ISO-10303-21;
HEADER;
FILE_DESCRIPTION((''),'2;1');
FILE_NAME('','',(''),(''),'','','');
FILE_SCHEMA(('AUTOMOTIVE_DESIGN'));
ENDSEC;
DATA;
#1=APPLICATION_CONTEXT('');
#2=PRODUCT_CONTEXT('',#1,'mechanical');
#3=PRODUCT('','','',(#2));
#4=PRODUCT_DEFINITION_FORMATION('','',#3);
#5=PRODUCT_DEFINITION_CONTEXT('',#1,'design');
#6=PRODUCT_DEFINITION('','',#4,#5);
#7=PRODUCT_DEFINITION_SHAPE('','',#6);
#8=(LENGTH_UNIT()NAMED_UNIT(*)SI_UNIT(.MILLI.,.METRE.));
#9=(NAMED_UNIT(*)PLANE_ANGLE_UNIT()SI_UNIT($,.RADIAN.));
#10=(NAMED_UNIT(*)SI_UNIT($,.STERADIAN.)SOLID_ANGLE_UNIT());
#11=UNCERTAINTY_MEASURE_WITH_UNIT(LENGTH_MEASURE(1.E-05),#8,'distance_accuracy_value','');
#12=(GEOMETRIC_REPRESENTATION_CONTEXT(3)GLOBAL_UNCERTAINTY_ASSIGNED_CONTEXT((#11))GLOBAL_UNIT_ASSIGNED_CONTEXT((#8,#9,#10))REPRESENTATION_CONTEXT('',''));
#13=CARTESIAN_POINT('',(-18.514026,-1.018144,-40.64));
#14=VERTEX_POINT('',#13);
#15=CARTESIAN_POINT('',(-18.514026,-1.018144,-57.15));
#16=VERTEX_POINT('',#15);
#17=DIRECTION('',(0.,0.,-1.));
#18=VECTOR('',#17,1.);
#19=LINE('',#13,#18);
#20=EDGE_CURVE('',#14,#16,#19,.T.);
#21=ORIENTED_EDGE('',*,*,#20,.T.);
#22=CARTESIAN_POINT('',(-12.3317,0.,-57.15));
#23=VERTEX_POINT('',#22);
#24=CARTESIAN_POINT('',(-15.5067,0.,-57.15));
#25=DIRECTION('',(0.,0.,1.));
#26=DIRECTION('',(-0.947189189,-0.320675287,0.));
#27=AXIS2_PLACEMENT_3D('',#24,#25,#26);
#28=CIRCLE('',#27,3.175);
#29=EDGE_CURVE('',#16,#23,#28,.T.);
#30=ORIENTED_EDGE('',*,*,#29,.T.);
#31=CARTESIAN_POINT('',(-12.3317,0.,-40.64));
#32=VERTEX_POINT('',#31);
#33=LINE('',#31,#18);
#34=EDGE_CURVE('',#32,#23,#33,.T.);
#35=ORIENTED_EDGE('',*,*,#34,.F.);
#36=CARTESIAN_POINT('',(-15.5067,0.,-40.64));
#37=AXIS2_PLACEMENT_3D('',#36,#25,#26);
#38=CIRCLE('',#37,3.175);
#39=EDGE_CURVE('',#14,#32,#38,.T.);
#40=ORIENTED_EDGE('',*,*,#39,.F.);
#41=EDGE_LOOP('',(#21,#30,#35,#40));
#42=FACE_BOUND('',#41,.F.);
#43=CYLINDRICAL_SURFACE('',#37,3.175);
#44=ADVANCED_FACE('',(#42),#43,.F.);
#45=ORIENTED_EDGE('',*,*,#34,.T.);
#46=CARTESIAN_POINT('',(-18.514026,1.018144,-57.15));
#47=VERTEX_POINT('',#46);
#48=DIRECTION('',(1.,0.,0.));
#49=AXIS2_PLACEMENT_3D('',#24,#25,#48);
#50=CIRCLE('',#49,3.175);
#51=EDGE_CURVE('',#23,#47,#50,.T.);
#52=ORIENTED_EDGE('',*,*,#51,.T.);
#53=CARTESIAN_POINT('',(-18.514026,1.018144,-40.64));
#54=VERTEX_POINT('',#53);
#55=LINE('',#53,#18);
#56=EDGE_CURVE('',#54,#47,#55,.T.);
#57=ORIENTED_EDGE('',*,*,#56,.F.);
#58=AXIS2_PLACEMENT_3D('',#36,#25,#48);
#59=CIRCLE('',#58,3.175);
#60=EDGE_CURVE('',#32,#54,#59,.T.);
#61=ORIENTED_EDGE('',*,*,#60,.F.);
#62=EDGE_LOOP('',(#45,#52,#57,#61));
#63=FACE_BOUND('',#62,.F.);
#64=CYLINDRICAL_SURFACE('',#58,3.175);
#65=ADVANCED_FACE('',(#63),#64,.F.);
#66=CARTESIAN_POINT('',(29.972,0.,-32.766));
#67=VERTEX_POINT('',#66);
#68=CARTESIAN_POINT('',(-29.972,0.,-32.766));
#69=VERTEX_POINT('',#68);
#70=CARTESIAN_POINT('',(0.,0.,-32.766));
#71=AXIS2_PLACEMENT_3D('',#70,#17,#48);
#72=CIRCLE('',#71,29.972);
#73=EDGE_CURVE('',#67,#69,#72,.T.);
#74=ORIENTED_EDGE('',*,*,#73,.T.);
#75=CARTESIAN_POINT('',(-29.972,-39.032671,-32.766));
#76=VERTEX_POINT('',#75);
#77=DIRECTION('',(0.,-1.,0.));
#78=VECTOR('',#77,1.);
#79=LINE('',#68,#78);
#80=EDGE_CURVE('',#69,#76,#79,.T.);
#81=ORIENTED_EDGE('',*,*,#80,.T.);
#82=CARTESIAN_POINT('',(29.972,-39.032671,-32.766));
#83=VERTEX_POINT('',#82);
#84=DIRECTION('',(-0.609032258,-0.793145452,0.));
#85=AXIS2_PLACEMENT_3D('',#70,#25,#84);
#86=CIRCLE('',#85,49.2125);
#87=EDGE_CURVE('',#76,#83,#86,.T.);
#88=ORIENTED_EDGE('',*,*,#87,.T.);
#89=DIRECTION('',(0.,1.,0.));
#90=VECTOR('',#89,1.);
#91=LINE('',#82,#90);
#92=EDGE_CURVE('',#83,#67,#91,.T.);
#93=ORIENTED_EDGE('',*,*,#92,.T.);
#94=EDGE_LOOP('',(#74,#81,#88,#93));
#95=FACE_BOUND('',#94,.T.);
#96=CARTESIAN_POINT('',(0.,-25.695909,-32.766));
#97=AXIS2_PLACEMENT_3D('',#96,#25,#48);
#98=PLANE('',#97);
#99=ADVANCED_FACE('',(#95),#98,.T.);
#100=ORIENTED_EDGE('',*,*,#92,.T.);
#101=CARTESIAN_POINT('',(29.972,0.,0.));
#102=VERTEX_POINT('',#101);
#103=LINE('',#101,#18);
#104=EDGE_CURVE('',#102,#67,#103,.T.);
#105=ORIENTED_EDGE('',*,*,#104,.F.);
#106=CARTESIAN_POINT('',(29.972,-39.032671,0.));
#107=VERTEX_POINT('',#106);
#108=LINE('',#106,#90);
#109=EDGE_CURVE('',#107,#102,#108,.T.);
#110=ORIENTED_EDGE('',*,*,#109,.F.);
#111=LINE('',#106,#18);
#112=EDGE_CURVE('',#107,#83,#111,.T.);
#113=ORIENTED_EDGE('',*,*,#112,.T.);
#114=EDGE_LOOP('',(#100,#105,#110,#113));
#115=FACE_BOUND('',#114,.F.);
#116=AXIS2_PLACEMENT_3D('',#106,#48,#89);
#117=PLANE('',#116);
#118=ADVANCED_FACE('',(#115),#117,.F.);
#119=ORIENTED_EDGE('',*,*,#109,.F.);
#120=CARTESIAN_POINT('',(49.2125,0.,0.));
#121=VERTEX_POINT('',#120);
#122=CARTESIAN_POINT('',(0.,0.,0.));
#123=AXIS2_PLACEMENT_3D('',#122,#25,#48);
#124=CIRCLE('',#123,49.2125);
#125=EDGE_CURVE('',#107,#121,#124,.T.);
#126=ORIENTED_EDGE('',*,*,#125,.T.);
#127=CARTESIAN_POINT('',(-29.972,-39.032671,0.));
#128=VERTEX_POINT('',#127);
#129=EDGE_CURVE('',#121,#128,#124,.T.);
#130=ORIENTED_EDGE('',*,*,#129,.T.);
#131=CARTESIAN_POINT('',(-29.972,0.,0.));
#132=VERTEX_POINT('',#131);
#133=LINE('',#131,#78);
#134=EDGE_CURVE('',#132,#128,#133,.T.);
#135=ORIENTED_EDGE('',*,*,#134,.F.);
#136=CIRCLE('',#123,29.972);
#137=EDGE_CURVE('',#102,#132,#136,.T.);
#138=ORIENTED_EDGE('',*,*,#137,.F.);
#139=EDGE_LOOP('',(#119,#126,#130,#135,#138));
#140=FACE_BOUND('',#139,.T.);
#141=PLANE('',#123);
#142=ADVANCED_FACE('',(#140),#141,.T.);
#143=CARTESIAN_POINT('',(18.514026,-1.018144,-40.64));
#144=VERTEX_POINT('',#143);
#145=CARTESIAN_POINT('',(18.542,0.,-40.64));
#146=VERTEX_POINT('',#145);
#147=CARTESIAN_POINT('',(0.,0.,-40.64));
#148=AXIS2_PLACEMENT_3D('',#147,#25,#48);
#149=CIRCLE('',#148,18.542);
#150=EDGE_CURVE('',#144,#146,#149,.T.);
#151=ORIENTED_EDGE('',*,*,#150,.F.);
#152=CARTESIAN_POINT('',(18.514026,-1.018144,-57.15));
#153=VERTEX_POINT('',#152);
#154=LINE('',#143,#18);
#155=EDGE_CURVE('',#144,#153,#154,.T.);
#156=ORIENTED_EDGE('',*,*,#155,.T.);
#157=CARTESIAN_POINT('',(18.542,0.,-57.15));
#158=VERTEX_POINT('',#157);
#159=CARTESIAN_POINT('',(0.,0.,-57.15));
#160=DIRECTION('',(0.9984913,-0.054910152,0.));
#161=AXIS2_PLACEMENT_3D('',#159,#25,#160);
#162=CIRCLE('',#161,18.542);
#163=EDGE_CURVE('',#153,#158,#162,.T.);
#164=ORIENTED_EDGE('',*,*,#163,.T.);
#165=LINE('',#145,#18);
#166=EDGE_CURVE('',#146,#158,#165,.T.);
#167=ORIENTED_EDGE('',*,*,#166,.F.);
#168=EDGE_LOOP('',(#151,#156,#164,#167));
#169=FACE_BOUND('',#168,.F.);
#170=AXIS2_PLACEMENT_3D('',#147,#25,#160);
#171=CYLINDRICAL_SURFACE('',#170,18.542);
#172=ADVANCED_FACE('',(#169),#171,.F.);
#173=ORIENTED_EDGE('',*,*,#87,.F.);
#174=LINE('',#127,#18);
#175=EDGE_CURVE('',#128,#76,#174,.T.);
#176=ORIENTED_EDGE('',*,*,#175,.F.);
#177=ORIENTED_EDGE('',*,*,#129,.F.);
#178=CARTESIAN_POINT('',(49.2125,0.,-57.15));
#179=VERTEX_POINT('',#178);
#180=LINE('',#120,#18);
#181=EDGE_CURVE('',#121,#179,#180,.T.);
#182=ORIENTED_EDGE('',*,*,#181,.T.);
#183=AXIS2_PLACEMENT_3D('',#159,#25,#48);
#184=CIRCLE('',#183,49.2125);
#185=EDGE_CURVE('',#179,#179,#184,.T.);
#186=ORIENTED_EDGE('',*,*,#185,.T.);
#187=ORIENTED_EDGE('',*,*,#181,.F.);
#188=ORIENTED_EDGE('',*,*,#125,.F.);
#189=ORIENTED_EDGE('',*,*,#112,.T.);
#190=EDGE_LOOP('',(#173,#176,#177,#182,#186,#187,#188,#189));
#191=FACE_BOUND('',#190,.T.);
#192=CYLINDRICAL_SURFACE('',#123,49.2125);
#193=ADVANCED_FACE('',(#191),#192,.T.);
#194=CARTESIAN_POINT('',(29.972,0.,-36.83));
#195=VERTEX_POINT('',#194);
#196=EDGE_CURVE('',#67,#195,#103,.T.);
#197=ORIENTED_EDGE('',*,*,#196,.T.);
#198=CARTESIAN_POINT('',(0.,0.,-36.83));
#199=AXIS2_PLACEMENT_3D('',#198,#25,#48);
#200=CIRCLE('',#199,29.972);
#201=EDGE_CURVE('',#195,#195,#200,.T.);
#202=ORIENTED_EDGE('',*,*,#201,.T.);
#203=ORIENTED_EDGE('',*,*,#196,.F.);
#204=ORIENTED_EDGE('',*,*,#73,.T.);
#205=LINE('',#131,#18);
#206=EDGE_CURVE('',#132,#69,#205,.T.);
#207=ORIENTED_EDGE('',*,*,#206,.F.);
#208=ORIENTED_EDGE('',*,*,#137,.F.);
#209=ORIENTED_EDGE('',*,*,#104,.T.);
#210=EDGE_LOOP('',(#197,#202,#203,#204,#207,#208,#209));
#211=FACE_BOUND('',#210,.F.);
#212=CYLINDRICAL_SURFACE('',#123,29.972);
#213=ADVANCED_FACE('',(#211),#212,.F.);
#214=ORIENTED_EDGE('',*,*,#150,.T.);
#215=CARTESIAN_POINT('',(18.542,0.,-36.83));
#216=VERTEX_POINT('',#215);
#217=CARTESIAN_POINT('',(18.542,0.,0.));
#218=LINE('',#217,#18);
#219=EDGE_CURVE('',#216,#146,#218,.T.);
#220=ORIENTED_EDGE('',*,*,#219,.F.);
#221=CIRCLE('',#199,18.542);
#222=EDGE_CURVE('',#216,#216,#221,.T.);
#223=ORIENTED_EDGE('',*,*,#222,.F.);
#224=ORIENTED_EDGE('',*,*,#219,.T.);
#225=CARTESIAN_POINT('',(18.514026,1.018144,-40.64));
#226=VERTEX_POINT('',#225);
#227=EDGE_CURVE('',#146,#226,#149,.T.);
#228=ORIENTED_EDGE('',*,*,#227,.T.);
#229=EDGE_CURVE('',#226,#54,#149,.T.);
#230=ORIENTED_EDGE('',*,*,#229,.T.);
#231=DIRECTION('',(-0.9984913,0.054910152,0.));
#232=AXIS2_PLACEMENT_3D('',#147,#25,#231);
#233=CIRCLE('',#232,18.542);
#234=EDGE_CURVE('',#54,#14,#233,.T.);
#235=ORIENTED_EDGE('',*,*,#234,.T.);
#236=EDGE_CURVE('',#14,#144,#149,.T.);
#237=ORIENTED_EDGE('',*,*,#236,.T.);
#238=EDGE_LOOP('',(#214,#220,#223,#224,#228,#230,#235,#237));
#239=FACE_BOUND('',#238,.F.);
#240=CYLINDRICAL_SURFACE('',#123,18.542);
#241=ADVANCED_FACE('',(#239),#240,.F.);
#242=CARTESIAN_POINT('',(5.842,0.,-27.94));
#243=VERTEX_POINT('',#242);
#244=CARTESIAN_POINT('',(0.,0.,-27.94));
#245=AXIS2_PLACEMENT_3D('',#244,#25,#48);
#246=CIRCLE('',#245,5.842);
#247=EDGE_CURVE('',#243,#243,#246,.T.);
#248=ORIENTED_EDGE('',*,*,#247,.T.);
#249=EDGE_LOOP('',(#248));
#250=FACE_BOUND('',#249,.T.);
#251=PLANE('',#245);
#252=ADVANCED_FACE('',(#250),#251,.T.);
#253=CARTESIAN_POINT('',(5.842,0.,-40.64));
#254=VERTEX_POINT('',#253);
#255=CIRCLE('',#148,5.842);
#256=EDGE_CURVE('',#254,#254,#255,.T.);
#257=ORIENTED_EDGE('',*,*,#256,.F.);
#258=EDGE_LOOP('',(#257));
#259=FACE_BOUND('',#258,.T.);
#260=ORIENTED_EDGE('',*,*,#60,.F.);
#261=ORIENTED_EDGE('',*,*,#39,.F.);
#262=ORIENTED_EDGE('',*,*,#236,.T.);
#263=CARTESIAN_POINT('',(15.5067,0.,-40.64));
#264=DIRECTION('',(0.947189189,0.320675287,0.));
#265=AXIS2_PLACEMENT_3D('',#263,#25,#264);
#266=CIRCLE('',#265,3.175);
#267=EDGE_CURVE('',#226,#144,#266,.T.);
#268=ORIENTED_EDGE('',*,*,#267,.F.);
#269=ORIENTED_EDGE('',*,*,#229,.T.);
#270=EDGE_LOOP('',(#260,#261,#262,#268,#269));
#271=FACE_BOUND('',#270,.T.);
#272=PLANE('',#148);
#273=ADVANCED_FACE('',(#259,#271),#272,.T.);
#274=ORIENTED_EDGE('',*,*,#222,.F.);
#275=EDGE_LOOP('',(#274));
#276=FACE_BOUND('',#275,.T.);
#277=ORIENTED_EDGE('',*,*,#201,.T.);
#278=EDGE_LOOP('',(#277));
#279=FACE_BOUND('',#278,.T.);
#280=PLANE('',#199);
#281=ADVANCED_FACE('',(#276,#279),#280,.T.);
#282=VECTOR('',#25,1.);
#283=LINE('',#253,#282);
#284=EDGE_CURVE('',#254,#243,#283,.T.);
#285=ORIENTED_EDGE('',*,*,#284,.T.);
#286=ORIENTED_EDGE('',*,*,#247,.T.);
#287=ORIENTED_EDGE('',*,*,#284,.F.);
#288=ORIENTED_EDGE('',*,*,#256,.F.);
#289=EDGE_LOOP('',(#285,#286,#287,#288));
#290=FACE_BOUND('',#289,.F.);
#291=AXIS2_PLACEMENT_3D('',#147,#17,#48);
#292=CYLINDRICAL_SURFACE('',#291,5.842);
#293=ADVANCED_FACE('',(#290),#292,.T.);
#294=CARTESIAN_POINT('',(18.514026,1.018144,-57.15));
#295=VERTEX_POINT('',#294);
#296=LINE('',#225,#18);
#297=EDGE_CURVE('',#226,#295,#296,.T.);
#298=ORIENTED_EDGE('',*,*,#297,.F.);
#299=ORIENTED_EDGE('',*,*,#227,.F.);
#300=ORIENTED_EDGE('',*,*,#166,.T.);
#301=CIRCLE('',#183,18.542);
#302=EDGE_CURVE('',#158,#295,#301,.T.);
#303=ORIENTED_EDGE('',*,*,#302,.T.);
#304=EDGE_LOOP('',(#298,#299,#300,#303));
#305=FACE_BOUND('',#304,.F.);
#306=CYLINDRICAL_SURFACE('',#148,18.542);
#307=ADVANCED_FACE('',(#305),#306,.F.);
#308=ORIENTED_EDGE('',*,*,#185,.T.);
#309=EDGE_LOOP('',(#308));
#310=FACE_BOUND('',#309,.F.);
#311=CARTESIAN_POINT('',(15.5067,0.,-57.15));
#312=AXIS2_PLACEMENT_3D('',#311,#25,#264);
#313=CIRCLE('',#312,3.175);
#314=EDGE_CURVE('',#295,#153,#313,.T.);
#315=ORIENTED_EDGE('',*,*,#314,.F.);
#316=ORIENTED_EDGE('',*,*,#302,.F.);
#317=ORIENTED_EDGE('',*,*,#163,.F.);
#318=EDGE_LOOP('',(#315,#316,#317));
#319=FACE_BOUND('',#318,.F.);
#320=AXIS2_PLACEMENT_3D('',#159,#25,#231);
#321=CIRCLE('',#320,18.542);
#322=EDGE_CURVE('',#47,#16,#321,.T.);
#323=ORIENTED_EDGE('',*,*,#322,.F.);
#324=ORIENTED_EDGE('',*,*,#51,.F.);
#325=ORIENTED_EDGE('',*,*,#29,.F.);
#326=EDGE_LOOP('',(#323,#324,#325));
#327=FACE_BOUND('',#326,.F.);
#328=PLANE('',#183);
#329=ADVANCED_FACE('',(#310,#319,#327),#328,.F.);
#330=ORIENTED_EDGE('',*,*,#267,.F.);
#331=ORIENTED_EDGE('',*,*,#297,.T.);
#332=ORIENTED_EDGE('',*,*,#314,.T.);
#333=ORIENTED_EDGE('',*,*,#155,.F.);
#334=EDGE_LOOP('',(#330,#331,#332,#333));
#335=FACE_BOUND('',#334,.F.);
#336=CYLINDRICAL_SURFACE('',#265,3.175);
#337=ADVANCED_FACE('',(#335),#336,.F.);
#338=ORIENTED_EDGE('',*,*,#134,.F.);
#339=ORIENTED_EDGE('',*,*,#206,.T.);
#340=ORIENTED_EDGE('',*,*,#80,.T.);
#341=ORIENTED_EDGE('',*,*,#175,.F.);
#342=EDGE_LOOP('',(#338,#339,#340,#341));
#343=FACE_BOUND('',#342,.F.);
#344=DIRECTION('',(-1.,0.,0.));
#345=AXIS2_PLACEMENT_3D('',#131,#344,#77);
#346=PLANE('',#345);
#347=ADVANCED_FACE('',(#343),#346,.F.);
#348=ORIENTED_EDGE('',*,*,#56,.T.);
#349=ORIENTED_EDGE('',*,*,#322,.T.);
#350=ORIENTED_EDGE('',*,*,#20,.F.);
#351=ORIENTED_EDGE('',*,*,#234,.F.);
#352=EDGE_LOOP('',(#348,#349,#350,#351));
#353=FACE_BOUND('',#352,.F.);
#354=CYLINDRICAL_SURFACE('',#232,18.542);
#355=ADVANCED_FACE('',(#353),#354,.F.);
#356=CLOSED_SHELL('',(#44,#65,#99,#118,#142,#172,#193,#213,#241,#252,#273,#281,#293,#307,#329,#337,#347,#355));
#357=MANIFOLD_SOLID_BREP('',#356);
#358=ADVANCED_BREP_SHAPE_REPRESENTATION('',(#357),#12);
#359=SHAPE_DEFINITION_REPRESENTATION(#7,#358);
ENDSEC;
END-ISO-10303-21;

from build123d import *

# Parameters (mm, degrees)
F0_R     = 49.2125
F1_DEPTH = 57.15
F2_R     = 18.542
F3_DEPTH = 40.64
F4_DEPTH = 36.83
F5_DEPTH = 32.766
F6_R     = 5.842
F7_DEPTH = 12.7
F9_DEPTH = 16.511


with BuildPart() as f1:
    # F0 (on Top) → F1 (new body)
    with BuildSketch(Plane.XY):
        Circle(F0_R)
    extrude(amount=-F1_DEPTH)

    # F2 (on face) → F3 (cut)
    with BuildSketch(Plane.XY):
        Circle(F2_R)
    extrude(amount=-F3_DEPTH, mode=Mode.SUBTRACT)

    # F2 (on face) → F4 (cut)
    with BuildSketch(Plane.XY):
        with BuildLine():
            ThreePointArc((-29.972, 0), (0, -29.972), (29.972, 0))
            ThreePointArc((29.972, 0), (0, 29.972), (-29.972, 0))
        make_face()
        Circle(F2_R, mode=Mode.SUBTRACT)
    extrude(amount=-F4_DEPTH, mode=Mode.SUBTRACT)

    # F2 (on face) → F5 (cut)
    with BuildSketch(Plane.XY):
        with BuildLine():
            Line((29.972, -39.0326705754), (29.972, 0))
            ThreePointArc((29.972, 0), (0, -29.972), (-29.972, 0))
            Line((-29.972, 0), (-29.972, -39.0326705754))
            ThreePointArc((-29.972, -39.0326705754), (0, -49.2125), (29.972, -39.0326705754))
        make_face()
    extrude(amount=-F5_DEPTH, mode=Mode.SUBTRACT)

    # F6 (on face) → F7 (join)
    with BuildSketch(Plane.XY.offset(-40.64)):
        Circle(F6_R)
    extrude(amount=F7_DEPTH)

    # F8 (on face) → F9 (cut, through all)
    with BuildSketch(Plane.XY.offset(-40.64)):
        with BuildLine():
            ThreePointArc((-18.5140256757, -1.0181440372), (-14.9907707511, -3.1328009848), (-12.3317, 0))
            ThreePointArc((-12.3317, 0), (-14.9907707511, 3.1328009848), (-18.5140256757, 1.0181440372))
            ThreePointArc((-18.5140256757, 1.0181440372), (-18.542, 0), (-18.5140256757, -1.0181440372))
        make_face()
        with BuildLine():
            ThreePointArc((18.542, 0), (18.5350050995, 0.5092641366), (18.5140256757, 1.0181440372))
            ThreePointArc((18.5140256757, 1.0181440372), (12.3317, 0), (18.5140256757, -1.0181440372))
            ThreePointArc((18.5140256757, -1.0181440372), (18.5350050995, -0.5092641366), (18.542, 0))
        make_face()
    extrude(amount=-F9_DEPTH, mode=Mode.SUBTRACT)


solid = f1.part
